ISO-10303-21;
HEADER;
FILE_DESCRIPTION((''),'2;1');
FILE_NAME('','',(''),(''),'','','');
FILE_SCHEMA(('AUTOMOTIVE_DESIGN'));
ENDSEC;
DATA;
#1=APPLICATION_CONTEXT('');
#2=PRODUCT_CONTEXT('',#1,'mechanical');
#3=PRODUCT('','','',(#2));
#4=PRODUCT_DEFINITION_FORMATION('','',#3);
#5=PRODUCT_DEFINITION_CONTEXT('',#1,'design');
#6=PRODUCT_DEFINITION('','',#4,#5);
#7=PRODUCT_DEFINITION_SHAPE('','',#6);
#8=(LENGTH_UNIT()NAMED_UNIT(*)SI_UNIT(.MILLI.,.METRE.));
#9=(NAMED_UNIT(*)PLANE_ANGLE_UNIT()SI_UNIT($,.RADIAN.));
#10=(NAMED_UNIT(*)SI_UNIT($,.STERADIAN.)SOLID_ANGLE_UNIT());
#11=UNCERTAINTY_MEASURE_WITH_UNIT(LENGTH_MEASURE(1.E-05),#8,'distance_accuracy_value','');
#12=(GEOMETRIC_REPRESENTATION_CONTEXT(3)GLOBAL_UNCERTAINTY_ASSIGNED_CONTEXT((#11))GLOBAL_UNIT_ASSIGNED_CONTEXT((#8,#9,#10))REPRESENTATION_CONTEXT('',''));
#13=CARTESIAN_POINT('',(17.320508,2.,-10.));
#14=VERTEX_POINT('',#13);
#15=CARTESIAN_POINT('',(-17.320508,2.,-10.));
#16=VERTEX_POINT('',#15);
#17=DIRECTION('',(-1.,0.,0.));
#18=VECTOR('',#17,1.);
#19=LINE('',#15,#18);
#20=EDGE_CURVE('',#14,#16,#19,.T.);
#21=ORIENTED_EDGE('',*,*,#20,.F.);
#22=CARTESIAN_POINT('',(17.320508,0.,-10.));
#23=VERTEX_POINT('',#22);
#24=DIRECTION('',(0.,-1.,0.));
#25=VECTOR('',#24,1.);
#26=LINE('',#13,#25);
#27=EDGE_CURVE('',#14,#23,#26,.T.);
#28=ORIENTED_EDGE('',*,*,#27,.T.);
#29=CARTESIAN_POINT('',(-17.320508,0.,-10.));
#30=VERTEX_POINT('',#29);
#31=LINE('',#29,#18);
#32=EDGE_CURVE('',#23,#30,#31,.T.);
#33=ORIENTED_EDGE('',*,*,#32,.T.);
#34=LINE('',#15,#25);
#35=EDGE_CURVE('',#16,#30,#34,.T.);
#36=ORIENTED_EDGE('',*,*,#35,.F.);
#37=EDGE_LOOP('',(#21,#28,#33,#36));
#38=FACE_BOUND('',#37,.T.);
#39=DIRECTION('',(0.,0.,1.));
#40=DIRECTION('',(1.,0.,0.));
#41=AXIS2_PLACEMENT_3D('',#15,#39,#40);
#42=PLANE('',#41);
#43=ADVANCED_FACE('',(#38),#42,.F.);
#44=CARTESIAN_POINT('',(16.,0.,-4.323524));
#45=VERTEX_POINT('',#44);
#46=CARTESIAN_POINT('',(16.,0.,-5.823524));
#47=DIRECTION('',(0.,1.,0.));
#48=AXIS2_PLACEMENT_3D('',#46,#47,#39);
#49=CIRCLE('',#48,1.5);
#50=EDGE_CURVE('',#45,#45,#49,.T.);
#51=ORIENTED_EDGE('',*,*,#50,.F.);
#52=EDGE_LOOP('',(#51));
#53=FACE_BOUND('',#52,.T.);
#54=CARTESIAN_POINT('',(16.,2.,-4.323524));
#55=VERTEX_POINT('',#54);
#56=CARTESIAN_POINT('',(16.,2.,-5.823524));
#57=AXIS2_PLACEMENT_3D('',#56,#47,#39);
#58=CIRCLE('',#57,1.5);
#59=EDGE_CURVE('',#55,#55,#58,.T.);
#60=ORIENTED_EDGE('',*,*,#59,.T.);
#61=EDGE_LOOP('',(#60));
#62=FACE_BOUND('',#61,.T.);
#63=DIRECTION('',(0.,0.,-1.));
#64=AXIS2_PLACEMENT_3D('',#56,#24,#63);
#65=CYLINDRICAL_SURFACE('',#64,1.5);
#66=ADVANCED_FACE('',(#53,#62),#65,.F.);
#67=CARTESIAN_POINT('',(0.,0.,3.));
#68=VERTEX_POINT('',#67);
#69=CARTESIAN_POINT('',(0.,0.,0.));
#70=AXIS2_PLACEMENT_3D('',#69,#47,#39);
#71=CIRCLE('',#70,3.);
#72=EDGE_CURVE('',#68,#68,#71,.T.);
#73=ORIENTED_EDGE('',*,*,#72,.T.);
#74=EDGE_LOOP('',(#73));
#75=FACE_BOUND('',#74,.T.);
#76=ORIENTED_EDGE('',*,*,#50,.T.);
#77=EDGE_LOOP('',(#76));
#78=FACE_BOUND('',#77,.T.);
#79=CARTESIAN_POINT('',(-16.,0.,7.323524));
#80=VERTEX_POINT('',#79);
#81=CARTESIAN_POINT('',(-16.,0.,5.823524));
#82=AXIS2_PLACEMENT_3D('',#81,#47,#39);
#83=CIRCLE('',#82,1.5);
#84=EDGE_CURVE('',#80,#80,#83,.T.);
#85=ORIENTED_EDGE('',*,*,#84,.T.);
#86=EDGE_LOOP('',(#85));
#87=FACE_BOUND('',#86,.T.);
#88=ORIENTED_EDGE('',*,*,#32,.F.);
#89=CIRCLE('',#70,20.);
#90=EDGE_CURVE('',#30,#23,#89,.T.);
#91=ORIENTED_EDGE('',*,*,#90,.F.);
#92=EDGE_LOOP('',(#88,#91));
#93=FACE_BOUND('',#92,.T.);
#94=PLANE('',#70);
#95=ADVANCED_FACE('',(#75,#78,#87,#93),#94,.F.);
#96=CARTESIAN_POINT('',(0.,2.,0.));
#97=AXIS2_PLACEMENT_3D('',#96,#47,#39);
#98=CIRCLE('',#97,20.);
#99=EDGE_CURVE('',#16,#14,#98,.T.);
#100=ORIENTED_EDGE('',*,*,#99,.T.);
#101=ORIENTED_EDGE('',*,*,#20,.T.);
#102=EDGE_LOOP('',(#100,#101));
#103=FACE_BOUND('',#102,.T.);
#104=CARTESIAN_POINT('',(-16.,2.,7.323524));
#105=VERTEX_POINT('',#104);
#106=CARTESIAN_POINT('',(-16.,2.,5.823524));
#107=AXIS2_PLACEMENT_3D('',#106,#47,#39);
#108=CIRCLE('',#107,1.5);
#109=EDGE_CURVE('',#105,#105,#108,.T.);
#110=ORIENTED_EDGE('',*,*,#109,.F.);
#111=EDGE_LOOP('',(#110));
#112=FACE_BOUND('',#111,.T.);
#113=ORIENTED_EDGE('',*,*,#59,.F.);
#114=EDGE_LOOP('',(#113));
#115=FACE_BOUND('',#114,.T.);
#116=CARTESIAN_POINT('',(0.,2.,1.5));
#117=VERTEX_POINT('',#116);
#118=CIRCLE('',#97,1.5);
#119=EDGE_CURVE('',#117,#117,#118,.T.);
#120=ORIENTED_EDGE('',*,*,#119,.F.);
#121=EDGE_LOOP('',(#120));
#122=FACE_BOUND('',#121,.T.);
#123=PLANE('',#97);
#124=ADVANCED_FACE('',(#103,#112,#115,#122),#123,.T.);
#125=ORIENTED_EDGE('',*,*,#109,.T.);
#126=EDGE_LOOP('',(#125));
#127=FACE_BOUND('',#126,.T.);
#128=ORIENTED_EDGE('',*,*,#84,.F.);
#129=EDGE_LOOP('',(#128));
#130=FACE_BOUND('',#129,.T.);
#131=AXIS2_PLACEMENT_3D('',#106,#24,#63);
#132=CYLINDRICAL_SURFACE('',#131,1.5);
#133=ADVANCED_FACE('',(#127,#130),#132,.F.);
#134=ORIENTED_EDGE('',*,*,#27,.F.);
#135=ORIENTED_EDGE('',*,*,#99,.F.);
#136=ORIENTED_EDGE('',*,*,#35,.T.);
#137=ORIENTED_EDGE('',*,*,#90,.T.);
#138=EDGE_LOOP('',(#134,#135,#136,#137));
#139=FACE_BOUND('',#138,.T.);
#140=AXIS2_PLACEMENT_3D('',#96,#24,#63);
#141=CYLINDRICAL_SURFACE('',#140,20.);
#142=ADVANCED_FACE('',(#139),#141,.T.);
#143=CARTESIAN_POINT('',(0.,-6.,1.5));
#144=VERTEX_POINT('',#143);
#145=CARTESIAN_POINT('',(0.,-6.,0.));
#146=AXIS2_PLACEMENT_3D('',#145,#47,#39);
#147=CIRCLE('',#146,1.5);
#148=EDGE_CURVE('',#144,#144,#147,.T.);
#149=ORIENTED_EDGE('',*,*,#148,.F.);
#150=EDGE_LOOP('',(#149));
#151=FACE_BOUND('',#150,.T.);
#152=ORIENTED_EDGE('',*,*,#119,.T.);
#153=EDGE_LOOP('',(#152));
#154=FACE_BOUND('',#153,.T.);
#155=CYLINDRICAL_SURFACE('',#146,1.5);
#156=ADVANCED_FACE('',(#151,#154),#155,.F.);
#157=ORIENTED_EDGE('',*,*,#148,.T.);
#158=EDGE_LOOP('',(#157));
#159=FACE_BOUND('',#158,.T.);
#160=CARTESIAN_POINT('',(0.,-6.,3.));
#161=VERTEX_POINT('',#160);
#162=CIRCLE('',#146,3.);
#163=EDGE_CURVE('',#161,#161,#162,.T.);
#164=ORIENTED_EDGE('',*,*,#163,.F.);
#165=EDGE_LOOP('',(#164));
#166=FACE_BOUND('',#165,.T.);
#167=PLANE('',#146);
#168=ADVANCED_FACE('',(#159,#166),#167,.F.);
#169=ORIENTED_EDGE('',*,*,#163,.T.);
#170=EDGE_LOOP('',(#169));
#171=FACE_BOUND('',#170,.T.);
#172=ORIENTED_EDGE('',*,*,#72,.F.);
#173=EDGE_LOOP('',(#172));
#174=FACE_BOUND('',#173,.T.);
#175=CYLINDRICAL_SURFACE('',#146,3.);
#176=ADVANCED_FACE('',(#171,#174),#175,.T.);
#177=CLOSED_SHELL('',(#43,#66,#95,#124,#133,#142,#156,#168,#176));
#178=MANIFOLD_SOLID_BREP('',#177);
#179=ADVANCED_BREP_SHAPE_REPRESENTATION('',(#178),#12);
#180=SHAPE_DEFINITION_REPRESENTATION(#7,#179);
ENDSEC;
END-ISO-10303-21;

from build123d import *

# Parameters (mm, degrees)
CROQUIS1_R              = 1.5
SALIENTE_EXTRUIR1_DEPTH = 2
CROQUIS2_R              = 3
CROQUIS2_R_2            = 1.5
SALIENTE_EXTRUIR3_DEPTH = 6
CORTAR_EXTRUIR2_START   = -6
CROQUIS4_R              = 1.5
CORTAR_EXTRUIR2_DEPTH   = 6


with BuildPart() as part:
    # Croquis1 → Saliente-Extruir1 (new body)
    with BuildSketch(Plane(origin=(0, 0, 0), x_dir=(1, 0, 0), z_dir=(0, 1, 0))):
        with BuildLine():
            Line((-17.320508076, 10), (17.320508076, 10))
            ThreePointArc((17.320508076, 10), (0, -20), (-17.320508076, 10))
        make_face()
        with Locations(Location((-16, -5.823523748, 0), (0, 0, 270))):
            Circle(CROQUIS1_R, mode=Mode.SUBTRACT)
        with Locations(Location((16, 5.823523748, 0), (0, 0, 270))):
            Circle(CROQUIS1_R, mode=Mode.SUBTRACT)
    extrude(amount=SALIENTE_EXTRUIR1_DEPTH)

    # Croquis2 → Saliente-Extruir3 (add)
    with BuildSketch(Plane(origin=(0, 0, 0), x_dir=(1, 0, 0), z_dir=(0, 1, 0))):
        with Locations(Location((0, 0, 0), (0, 0, 270))):
            Circle(CROQUIS2_R)
        with Locations(Location((0, 0, 0), (0, 0, 270))):
            Circle(CROQUIS2_R_2, mode=Mode.SUBTRACT)
    extrude(amount=-SALIENTE_EXTRUIR3_DEPTH)

    # Croquis4 → Cortar-Extruir2 (cut)
    with BuildSketch(Plane.XZ.offset(CORTAR_EXTRUIR2_START)):
        with Locations(Location((0, 0, 0), (0, 0, 90))):
            Circle(CROQUIS4_R)
    extrude(amount=CORTAR_EXTRUIR2_DEPTH, mode=Mode.SUBTRACT)


solid = part.part
